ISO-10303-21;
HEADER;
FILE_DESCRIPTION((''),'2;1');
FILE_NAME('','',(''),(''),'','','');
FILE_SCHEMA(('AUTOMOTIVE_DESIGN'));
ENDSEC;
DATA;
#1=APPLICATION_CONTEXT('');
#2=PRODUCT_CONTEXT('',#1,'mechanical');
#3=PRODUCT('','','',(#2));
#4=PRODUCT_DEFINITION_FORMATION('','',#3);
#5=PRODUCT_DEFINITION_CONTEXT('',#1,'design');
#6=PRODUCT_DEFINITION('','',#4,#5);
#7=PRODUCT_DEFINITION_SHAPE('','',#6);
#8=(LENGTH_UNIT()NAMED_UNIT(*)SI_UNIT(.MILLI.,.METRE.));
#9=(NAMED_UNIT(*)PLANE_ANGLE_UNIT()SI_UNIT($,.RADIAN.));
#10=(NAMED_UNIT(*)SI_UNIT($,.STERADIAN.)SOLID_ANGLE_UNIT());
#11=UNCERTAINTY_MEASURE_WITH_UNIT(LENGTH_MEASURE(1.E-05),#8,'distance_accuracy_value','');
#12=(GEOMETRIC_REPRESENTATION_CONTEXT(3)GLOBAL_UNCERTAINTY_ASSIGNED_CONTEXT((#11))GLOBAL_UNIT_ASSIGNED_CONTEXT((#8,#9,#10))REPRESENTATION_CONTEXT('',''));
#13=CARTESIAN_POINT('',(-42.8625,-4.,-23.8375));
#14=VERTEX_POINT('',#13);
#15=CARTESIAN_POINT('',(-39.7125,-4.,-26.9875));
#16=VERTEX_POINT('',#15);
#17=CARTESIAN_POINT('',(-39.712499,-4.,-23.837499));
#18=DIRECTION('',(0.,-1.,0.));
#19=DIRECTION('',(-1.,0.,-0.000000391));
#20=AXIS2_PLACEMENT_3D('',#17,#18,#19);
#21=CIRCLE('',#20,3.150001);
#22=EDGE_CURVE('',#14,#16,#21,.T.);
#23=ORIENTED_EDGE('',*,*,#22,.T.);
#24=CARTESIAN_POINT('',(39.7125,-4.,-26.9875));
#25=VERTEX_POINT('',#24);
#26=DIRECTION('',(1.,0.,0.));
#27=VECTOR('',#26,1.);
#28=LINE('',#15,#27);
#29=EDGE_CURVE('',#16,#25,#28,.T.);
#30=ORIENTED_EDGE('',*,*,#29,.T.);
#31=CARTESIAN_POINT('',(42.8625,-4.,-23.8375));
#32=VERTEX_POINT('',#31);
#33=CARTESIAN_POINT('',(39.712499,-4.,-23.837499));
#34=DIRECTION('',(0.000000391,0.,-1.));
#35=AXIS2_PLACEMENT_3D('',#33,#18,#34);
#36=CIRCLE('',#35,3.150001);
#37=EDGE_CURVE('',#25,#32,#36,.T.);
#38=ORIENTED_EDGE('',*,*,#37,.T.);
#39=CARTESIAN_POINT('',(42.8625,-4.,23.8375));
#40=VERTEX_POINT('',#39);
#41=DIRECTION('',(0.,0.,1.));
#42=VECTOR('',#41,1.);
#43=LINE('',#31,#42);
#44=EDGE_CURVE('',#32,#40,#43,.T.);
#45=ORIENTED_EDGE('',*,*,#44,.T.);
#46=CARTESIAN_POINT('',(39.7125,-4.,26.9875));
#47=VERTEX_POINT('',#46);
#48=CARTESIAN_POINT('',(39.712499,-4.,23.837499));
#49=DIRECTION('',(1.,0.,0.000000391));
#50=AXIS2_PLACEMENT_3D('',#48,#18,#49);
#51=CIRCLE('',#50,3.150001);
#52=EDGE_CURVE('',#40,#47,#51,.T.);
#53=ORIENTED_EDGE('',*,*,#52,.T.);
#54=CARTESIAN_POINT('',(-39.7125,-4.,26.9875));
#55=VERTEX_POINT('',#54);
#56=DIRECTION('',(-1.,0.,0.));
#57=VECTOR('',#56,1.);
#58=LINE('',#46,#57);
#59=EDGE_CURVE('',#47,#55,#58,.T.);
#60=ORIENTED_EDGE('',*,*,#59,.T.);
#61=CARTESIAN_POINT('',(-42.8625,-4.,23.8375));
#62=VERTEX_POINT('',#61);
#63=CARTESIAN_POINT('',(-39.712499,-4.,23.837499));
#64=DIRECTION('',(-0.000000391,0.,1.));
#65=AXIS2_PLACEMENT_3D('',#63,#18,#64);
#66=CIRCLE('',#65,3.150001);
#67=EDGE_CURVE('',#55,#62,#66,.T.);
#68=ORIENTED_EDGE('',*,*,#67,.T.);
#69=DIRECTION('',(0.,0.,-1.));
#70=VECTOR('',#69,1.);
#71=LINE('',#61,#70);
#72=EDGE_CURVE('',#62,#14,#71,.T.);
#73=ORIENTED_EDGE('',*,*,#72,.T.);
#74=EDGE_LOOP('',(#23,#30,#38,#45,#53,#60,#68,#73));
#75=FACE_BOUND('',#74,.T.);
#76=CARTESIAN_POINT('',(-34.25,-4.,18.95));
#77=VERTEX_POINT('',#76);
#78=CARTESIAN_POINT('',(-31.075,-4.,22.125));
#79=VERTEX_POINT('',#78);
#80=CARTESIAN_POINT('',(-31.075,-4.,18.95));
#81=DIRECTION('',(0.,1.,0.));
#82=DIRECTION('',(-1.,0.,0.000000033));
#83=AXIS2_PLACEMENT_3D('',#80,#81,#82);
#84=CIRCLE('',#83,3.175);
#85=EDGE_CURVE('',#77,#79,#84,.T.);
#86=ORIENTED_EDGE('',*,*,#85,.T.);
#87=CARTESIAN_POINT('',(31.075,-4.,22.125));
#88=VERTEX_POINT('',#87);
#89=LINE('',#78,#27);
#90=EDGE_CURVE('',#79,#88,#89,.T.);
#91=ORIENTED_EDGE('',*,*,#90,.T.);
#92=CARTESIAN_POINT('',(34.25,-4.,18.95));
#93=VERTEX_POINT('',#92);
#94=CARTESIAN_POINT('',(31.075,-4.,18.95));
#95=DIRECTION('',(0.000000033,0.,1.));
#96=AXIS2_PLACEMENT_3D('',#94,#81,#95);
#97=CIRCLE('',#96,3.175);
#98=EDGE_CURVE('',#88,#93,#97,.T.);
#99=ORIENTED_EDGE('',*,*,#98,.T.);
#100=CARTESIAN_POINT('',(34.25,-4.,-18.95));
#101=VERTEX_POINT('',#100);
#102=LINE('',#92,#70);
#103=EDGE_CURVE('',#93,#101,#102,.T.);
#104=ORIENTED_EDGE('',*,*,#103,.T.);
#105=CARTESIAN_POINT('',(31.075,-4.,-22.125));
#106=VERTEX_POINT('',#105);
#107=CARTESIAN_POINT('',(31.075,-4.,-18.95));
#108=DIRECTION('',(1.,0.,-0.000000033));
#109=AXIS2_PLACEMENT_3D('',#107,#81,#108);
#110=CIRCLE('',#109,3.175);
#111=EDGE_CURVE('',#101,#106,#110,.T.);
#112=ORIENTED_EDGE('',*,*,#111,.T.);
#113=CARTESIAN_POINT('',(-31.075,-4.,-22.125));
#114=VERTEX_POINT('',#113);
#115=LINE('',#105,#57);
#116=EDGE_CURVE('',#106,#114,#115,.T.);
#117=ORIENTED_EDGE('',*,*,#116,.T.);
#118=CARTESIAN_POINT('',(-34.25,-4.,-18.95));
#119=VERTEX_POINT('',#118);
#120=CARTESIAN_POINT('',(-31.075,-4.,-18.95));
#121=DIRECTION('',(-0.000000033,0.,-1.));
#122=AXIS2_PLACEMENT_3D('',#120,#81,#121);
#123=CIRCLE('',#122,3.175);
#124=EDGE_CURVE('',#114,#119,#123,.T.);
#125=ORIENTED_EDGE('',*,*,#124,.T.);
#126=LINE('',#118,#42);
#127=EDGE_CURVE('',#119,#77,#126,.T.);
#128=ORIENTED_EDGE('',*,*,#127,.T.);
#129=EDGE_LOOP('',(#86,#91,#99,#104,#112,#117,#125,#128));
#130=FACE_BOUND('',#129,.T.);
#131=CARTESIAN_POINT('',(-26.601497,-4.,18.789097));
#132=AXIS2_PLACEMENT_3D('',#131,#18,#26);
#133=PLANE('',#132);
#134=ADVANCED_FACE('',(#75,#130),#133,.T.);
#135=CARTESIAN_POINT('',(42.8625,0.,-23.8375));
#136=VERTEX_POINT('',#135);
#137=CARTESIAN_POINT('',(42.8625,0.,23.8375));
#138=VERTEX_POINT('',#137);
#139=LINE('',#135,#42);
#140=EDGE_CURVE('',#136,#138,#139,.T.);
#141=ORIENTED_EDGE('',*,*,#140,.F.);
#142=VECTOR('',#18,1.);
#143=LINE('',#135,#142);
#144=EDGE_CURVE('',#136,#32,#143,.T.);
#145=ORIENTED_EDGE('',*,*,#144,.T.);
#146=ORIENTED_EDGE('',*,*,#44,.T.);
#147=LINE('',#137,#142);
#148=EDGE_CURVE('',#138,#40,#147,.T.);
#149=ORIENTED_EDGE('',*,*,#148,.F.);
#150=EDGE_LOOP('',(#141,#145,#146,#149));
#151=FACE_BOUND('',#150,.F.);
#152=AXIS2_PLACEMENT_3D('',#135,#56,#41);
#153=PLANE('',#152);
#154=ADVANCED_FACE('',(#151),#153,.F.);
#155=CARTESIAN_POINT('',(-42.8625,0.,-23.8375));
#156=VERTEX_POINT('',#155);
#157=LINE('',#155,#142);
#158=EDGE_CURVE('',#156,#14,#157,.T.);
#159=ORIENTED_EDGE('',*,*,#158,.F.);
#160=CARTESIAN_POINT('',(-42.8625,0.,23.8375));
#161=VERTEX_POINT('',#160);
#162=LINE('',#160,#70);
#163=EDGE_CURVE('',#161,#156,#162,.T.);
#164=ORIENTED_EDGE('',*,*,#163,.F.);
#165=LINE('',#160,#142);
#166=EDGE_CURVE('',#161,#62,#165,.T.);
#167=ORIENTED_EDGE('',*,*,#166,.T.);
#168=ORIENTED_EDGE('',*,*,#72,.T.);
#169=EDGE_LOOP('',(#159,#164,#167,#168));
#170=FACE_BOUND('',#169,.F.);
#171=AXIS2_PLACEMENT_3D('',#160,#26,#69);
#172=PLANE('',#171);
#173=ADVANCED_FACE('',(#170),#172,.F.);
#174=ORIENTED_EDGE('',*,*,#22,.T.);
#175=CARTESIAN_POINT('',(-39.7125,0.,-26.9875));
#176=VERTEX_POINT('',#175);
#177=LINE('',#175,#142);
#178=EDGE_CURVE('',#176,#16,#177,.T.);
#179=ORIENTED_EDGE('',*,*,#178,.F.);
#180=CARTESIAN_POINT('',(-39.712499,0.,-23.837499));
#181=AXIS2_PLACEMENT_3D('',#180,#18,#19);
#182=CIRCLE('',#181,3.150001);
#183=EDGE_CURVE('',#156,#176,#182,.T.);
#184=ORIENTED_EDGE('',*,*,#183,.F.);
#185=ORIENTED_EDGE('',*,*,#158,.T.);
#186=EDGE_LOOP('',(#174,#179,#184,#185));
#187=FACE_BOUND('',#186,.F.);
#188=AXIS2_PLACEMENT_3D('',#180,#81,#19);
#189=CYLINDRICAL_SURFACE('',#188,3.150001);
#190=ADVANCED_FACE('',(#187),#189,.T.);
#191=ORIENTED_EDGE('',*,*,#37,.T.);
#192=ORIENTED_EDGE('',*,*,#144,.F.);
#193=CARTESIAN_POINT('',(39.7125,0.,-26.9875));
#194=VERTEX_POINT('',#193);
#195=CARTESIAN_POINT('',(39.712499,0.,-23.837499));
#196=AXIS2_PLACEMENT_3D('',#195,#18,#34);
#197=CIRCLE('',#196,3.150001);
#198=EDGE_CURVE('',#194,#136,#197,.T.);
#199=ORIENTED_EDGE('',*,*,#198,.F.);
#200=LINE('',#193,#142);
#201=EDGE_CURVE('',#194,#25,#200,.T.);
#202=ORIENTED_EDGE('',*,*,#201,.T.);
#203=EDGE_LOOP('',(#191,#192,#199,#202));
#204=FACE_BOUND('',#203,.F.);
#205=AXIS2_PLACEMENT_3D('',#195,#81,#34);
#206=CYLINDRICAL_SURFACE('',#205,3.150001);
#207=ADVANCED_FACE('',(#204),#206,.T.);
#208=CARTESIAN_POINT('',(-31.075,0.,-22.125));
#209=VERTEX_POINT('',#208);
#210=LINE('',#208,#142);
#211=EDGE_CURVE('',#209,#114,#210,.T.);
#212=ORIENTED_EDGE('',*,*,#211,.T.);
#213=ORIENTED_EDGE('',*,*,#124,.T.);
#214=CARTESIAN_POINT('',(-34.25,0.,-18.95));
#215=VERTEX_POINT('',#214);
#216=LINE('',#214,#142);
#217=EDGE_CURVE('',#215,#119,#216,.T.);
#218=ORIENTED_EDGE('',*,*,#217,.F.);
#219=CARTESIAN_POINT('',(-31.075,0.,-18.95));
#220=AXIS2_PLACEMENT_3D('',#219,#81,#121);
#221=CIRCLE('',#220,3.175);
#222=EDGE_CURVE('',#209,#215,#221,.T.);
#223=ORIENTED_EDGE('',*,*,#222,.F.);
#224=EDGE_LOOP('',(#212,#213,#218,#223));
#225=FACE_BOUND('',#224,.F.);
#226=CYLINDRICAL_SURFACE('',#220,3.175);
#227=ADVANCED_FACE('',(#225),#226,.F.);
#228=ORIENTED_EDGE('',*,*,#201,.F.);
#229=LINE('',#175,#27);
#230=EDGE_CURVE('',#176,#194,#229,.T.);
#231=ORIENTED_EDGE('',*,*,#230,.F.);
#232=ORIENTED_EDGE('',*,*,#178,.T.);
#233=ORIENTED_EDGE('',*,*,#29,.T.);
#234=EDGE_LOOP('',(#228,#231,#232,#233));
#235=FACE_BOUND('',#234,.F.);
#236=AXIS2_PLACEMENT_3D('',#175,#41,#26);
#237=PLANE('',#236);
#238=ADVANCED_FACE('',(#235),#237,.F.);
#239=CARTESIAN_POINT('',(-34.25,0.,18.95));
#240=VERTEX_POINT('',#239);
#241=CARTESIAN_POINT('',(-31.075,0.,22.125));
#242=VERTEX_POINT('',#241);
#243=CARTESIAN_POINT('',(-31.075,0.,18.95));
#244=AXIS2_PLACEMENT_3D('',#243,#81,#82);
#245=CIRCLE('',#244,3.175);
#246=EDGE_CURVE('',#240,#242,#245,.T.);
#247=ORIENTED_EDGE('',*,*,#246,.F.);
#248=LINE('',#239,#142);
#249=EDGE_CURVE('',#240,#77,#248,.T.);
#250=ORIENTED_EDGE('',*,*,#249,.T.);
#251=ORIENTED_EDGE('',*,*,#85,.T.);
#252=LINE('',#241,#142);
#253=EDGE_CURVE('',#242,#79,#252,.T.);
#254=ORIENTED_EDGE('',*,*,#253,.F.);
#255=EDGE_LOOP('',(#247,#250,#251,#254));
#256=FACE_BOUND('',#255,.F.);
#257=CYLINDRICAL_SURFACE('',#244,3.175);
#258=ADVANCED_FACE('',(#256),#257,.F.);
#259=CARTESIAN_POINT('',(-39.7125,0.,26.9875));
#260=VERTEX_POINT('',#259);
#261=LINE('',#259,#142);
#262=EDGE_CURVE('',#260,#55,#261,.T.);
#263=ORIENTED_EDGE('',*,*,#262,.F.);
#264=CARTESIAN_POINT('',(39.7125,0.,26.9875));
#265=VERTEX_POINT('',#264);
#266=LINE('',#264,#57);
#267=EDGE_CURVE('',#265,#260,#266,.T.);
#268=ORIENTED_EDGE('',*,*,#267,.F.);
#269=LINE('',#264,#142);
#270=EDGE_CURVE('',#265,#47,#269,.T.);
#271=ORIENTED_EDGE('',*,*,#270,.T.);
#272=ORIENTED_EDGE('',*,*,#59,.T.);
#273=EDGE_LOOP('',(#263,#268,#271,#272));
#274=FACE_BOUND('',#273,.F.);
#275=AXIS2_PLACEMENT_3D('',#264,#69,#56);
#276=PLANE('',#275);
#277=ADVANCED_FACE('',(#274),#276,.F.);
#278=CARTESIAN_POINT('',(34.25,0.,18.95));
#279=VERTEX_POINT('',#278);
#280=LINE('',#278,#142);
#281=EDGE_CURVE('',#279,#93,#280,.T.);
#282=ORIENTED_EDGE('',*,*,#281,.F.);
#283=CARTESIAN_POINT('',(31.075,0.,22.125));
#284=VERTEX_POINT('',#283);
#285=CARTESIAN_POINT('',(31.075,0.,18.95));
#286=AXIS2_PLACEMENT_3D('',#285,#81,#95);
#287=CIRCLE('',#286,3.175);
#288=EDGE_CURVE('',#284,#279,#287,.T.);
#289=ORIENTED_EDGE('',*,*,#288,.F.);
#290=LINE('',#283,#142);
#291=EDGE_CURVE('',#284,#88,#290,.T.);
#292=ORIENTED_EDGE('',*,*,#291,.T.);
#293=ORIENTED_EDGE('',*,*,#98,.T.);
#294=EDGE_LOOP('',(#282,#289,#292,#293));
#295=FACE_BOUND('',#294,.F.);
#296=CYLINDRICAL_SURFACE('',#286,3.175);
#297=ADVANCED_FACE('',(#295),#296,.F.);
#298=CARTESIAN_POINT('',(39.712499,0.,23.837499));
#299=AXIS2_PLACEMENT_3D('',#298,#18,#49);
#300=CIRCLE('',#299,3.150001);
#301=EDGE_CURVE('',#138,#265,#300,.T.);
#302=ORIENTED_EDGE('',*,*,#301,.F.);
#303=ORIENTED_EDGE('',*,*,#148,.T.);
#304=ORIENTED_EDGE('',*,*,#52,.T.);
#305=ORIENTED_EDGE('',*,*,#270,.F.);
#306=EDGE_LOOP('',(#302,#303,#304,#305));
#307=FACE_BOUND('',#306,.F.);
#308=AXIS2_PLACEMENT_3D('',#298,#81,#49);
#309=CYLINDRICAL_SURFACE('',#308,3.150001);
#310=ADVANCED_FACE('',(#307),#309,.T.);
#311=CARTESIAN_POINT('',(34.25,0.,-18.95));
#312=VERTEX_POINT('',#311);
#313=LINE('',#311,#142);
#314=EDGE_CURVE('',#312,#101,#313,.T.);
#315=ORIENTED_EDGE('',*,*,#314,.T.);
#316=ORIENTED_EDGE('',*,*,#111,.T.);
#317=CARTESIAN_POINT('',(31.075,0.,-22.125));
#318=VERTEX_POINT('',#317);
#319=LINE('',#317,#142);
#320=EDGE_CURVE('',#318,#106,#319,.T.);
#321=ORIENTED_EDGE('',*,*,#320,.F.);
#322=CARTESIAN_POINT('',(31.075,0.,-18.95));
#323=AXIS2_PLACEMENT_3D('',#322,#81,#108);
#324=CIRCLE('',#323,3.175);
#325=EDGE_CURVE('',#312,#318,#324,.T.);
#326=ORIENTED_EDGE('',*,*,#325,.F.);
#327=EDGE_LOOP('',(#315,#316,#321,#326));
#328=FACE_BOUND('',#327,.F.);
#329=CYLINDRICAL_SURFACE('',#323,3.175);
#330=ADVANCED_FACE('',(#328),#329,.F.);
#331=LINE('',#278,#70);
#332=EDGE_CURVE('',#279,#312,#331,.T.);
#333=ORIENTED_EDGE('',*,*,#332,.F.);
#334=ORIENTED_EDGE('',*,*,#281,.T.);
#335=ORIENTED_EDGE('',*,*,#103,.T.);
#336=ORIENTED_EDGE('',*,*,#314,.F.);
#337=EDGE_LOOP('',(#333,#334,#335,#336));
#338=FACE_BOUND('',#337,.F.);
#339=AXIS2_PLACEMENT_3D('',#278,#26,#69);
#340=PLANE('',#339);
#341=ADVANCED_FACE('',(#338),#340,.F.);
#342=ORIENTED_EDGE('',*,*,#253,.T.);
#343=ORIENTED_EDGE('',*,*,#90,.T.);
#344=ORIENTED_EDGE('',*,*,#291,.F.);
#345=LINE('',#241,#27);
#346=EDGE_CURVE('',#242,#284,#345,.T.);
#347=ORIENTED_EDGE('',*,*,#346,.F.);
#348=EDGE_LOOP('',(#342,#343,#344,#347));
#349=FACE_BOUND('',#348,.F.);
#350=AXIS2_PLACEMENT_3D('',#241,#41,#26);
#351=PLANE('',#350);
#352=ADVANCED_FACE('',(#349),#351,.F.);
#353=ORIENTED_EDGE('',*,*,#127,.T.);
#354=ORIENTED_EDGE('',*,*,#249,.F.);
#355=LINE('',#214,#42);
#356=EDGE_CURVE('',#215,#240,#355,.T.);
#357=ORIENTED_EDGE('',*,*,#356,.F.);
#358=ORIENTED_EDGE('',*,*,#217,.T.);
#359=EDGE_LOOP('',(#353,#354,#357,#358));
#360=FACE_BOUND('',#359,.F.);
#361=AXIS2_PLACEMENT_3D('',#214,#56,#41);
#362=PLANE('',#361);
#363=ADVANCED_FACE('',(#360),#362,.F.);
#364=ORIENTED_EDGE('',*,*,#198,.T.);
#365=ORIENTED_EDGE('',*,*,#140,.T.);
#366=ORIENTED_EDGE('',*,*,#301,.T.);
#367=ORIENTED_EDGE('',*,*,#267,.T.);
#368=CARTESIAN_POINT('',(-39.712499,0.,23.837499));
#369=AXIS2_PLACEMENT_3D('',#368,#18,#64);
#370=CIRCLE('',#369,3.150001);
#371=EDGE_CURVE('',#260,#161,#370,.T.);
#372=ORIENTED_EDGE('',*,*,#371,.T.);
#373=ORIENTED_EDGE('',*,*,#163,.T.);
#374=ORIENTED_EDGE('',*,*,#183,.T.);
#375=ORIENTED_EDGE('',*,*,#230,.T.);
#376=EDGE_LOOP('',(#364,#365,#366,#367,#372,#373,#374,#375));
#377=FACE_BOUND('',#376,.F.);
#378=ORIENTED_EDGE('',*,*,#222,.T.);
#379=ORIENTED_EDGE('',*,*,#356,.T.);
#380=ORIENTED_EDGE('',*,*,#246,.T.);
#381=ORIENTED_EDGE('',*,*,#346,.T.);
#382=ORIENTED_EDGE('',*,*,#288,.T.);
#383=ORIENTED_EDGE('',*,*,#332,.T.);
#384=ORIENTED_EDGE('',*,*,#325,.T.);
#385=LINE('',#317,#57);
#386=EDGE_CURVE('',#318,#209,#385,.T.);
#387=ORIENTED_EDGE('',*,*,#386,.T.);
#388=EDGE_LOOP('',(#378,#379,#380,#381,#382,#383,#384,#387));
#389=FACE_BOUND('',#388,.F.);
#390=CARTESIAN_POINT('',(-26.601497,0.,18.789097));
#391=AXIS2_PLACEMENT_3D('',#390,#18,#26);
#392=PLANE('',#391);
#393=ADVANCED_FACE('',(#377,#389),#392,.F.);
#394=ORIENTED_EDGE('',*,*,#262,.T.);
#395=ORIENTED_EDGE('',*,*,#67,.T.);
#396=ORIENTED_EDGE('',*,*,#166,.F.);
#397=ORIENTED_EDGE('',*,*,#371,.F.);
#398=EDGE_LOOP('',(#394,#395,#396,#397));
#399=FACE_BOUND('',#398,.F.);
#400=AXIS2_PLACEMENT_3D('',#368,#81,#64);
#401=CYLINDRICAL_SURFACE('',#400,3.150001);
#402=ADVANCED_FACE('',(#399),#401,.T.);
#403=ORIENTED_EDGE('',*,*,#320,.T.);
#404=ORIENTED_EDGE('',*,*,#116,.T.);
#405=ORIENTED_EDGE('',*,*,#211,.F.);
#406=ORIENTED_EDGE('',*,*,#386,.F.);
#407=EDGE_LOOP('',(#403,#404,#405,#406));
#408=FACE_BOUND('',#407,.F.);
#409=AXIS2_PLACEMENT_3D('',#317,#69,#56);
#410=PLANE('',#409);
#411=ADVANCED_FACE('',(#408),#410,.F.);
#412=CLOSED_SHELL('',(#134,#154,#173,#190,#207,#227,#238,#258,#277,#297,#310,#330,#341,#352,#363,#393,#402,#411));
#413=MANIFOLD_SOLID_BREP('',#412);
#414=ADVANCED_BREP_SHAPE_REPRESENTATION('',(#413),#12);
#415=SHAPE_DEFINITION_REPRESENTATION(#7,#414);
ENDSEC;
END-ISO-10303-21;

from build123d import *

# Parameters (mm, degrees)
F1_DEPTH = 4


with BuildPart() as f1:
    # F0 (on Front) → F1 (new body)
    with BuildSketch(Plane.XZ):
        with BuildLine():
            Line((0, 26.9875), (-39.7125, 26.9875))
            ThreePointArc((-39.7125, 26.9875), (-41.939886, 26.064886), (-42.8625, 23.8375))
            Line((-42.8625, 23.8375), (-42.8625, 0))
            Line((-42.8625, 0), (-34.25, 0))
            Line((-34.25, 0), (-34.25, 18.95))
            ThreePointArc((-34.25, 18.95), (-33.320064, 21.195064), (-31.075, 22.125))
            Line((-31.075, 22.125), (0, 22.125))
            Line((0, 22.125), (0, 26.9875))
        make_face()
        with BuildLine():
            Line((39.7125, 26.9875), (0, 26.9875))
            Line((0, 26.9875), (0, 22.125))
            Line((0, 22.125), (31.075, 22.125))
            ThreePointArc((31.075, 22.125), (33.320064, 21.195064), (34.25, 18.95))
            Line((34.25, 18.95), (34.25, -18.95))
            ThreePointArc((34.25, -18.95), (33.320064, -21.195064), (31.075, -22.125))
            Line((31.075, -22.125), (-31.075, -22.125))
            ThreePointArc((-31.075, -22.125), (-33.320064, -21.195064), (-34.25, -18.95))
            Line((-34.25, -18.95), (-34.25, 0))
            Line((-34.25, 0), (-42.8625, 0))
            Line((-42.8625, 0), (-42.8625, -23.8375))
            ThreePointArc((-42.8625, -23.8375), (-41.939886, -26.064886), (-39.7125, -26.9875))
            Line((-39.7125, -26.9875), (39.7125, -26.9875))
            ThreePointArc((39.7125, -26.9875), (41.939886, -26.064886), (42.8625, -23.8375))
            Line((42.8625, -23.8375), (42.8625, 23.8375))
            ThreePointArc((42.8625, 23.8375), (41.939886, 26.064886), (39.7125, 26.9875))
        make_face()
    extrude(amount=F1_DEPTH)


solid = f1.part
